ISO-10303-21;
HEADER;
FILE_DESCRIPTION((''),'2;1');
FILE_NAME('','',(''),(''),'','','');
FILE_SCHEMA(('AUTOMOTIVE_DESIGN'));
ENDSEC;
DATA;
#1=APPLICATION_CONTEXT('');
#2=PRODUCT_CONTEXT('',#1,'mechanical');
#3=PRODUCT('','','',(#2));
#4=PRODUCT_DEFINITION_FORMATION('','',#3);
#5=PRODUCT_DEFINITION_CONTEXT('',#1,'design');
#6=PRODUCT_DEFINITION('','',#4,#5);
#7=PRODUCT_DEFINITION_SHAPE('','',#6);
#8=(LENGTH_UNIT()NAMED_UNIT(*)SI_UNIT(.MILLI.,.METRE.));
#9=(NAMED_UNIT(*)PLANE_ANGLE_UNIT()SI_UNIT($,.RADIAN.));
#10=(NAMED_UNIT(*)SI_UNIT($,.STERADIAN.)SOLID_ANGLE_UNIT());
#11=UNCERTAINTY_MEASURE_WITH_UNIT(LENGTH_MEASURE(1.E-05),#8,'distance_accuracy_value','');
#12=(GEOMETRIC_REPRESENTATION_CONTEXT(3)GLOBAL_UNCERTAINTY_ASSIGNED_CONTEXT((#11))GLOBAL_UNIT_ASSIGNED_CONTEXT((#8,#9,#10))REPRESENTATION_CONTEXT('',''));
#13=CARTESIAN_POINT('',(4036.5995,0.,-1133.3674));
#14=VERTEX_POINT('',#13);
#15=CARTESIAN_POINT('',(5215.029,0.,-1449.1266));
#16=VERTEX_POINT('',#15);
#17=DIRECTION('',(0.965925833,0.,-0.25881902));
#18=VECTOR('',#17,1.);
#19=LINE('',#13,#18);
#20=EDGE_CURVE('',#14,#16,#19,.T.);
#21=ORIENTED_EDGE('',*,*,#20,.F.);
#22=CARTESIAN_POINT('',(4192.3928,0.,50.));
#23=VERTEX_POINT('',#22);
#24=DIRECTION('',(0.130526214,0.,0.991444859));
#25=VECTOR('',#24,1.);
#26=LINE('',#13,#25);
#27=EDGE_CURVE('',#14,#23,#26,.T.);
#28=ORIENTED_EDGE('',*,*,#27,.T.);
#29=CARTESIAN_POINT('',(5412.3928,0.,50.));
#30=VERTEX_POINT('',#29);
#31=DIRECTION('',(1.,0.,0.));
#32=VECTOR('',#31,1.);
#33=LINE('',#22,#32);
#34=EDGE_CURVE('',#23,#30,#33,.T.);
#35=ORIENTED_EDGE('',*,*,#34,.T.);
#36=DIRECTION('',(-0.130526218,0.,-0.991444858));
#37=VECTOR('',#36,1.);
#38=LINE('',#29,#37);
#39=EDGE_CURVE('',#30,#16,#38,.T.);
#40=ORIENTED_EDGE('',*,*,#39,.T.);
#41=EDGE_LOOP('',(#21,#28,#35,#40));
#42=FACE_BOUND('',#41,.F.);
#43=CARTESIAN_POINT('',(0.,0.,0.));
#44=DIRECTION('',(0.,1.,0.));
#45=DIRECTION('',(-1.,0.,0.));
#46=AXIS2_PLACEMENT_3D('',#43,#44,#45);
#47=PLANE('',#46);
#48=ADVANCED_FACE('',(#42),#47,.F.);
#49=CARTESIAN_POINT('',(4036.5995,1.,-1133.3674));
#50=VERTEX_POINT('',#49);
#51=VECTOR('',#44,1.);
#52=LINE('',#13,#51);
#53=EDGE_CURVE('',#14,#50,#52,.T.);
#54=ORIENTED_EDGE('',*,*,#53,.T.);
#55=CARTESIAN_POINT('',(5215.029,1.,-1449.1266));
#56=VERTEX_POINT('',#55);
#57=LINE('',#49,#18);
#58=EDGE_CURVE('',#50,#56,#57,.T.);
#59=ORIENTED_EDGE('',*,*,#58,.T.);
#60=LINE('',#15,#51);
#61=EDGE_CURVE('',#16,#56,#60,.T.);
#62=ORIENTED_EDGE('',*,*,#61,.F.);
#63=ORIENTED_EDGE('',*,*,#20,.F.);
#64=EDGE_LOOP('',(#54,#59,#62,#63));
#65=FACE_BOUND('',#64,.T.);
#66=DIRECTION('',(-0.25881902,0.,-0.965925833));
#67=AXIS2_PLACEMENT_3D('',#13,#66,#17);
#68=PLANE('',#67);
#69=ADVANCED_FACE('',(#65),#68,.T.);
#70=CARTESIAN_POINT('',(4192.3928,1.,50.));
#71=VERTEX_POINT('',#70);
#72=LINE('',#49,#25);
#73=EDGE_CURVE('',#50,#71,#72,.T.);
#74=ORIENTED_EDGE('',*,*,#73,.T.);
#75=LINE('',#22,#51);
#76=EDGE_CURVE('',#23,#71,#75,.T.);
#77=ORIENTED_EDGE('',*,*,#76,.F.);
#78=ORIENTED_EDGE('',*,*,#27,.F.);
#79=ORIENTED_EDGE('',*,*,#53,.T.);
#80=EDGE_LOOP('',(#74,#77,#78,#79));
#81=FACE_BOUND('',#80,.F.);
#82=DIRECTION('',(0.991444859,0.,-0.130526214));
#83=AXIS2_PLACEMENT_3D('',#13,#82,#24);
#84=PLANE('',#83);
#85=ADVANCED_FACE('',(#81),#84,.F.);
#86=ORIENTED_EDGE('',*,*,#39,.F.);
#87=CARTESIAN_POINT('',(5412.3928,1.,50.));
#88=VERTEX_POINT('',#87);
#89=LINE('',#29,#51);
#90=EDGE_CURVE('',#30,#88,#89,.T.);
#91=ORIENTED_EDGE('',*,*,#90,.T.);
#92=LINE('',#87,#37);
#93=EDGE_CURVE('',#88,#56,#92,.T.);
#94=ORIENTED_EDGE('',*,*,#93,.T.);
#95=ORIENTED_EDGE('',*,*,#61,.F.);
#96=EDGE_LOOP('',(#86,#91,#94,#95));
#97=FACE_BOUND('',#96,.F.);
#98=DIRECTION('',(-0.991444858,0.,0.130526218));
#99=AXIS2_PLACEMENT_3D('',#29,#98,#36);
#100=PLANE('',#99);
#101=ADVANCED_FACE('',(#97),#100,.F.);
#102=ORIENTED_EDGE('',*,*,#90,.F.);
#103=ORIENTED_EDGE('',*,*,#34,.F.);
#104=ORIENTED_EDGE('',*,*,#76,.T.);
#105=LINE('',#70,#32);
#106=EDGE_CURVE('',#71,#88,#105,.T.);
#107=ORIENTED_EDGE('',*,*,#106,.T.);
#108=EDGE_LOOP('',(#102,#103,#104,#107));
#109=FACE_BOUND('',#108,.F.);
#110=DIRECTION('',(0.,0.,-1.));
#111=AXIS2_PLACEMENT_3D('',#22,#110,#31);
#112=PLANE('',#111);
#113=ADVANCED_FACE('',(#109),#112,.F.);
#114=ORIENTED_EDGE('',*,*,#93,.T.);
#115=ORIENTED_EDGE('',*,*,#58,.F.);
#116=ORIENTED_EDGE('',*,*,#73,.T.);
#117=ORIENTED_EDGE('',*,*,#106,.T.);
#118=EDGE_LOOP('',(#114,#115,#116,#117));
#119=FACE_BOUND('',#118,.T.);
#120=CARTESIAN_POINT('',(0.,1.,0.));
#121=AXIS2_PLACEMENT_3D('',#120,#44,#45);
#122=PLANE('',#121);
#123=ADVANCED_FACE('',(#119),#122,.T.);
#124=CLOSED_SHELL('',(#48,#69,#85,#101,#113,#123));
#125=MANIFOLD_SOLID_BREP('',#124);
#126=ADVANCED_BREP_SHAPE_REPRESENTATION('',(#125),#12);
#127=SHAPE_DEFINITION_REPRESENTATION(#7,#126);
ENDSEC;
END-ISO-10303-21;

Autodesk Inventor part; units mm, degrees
ref_plane "YZ Plane" through (0, 0, 0) normal (1, 0, 0) x (0, 1, 0)
ref_plane "XZ Plane" through (0, 0, 0) normal (0, 1, 0) x (-1, 0, 0)
ref_plane "XY Plane" through (0, 0, 0) normal (0, 0, 1) x (1, 0, 0)
sketch "Sketch1" plane through (0, 0, 0) normal (0, 1, 0) x (-1, 0, 0)
  line L0 (0, 0) -> (-12922.0343, 0) construction
  line L1 (0, 0) -> (-12360.1465, -3311.8913) construction
  line L2 (0, 0) -> (13412.8311, 0) construction
  line L3 (-4192.3928, 50) -> (-5412.3928, 50)
  line L4 (-4036.5995, -1133.3674) -> (-5215.029, -1449.1266)
  line L5 (-4036.5995, -1133.3674) -> (-4192.3928, 50)
  line L6 (0, 0) -> (-4114.4962, -541.6837) construction
  line L7 (0, 0) -> (4150, 0) construction
  line L8 (-5412.3928, 50) -> (-5215.029, -1449.1266)
  dimension "d0" = 165
  dimension "d3" = 50
  dimension "d4" = 50
  dimension "d6" = 4150
  dimension "d7" = 172.5
  dimension "d10" = 1220
extrude "Extrusion1" add sketch "Sketch1" along normal blind 1
properties part number "panelCflat.KR"
